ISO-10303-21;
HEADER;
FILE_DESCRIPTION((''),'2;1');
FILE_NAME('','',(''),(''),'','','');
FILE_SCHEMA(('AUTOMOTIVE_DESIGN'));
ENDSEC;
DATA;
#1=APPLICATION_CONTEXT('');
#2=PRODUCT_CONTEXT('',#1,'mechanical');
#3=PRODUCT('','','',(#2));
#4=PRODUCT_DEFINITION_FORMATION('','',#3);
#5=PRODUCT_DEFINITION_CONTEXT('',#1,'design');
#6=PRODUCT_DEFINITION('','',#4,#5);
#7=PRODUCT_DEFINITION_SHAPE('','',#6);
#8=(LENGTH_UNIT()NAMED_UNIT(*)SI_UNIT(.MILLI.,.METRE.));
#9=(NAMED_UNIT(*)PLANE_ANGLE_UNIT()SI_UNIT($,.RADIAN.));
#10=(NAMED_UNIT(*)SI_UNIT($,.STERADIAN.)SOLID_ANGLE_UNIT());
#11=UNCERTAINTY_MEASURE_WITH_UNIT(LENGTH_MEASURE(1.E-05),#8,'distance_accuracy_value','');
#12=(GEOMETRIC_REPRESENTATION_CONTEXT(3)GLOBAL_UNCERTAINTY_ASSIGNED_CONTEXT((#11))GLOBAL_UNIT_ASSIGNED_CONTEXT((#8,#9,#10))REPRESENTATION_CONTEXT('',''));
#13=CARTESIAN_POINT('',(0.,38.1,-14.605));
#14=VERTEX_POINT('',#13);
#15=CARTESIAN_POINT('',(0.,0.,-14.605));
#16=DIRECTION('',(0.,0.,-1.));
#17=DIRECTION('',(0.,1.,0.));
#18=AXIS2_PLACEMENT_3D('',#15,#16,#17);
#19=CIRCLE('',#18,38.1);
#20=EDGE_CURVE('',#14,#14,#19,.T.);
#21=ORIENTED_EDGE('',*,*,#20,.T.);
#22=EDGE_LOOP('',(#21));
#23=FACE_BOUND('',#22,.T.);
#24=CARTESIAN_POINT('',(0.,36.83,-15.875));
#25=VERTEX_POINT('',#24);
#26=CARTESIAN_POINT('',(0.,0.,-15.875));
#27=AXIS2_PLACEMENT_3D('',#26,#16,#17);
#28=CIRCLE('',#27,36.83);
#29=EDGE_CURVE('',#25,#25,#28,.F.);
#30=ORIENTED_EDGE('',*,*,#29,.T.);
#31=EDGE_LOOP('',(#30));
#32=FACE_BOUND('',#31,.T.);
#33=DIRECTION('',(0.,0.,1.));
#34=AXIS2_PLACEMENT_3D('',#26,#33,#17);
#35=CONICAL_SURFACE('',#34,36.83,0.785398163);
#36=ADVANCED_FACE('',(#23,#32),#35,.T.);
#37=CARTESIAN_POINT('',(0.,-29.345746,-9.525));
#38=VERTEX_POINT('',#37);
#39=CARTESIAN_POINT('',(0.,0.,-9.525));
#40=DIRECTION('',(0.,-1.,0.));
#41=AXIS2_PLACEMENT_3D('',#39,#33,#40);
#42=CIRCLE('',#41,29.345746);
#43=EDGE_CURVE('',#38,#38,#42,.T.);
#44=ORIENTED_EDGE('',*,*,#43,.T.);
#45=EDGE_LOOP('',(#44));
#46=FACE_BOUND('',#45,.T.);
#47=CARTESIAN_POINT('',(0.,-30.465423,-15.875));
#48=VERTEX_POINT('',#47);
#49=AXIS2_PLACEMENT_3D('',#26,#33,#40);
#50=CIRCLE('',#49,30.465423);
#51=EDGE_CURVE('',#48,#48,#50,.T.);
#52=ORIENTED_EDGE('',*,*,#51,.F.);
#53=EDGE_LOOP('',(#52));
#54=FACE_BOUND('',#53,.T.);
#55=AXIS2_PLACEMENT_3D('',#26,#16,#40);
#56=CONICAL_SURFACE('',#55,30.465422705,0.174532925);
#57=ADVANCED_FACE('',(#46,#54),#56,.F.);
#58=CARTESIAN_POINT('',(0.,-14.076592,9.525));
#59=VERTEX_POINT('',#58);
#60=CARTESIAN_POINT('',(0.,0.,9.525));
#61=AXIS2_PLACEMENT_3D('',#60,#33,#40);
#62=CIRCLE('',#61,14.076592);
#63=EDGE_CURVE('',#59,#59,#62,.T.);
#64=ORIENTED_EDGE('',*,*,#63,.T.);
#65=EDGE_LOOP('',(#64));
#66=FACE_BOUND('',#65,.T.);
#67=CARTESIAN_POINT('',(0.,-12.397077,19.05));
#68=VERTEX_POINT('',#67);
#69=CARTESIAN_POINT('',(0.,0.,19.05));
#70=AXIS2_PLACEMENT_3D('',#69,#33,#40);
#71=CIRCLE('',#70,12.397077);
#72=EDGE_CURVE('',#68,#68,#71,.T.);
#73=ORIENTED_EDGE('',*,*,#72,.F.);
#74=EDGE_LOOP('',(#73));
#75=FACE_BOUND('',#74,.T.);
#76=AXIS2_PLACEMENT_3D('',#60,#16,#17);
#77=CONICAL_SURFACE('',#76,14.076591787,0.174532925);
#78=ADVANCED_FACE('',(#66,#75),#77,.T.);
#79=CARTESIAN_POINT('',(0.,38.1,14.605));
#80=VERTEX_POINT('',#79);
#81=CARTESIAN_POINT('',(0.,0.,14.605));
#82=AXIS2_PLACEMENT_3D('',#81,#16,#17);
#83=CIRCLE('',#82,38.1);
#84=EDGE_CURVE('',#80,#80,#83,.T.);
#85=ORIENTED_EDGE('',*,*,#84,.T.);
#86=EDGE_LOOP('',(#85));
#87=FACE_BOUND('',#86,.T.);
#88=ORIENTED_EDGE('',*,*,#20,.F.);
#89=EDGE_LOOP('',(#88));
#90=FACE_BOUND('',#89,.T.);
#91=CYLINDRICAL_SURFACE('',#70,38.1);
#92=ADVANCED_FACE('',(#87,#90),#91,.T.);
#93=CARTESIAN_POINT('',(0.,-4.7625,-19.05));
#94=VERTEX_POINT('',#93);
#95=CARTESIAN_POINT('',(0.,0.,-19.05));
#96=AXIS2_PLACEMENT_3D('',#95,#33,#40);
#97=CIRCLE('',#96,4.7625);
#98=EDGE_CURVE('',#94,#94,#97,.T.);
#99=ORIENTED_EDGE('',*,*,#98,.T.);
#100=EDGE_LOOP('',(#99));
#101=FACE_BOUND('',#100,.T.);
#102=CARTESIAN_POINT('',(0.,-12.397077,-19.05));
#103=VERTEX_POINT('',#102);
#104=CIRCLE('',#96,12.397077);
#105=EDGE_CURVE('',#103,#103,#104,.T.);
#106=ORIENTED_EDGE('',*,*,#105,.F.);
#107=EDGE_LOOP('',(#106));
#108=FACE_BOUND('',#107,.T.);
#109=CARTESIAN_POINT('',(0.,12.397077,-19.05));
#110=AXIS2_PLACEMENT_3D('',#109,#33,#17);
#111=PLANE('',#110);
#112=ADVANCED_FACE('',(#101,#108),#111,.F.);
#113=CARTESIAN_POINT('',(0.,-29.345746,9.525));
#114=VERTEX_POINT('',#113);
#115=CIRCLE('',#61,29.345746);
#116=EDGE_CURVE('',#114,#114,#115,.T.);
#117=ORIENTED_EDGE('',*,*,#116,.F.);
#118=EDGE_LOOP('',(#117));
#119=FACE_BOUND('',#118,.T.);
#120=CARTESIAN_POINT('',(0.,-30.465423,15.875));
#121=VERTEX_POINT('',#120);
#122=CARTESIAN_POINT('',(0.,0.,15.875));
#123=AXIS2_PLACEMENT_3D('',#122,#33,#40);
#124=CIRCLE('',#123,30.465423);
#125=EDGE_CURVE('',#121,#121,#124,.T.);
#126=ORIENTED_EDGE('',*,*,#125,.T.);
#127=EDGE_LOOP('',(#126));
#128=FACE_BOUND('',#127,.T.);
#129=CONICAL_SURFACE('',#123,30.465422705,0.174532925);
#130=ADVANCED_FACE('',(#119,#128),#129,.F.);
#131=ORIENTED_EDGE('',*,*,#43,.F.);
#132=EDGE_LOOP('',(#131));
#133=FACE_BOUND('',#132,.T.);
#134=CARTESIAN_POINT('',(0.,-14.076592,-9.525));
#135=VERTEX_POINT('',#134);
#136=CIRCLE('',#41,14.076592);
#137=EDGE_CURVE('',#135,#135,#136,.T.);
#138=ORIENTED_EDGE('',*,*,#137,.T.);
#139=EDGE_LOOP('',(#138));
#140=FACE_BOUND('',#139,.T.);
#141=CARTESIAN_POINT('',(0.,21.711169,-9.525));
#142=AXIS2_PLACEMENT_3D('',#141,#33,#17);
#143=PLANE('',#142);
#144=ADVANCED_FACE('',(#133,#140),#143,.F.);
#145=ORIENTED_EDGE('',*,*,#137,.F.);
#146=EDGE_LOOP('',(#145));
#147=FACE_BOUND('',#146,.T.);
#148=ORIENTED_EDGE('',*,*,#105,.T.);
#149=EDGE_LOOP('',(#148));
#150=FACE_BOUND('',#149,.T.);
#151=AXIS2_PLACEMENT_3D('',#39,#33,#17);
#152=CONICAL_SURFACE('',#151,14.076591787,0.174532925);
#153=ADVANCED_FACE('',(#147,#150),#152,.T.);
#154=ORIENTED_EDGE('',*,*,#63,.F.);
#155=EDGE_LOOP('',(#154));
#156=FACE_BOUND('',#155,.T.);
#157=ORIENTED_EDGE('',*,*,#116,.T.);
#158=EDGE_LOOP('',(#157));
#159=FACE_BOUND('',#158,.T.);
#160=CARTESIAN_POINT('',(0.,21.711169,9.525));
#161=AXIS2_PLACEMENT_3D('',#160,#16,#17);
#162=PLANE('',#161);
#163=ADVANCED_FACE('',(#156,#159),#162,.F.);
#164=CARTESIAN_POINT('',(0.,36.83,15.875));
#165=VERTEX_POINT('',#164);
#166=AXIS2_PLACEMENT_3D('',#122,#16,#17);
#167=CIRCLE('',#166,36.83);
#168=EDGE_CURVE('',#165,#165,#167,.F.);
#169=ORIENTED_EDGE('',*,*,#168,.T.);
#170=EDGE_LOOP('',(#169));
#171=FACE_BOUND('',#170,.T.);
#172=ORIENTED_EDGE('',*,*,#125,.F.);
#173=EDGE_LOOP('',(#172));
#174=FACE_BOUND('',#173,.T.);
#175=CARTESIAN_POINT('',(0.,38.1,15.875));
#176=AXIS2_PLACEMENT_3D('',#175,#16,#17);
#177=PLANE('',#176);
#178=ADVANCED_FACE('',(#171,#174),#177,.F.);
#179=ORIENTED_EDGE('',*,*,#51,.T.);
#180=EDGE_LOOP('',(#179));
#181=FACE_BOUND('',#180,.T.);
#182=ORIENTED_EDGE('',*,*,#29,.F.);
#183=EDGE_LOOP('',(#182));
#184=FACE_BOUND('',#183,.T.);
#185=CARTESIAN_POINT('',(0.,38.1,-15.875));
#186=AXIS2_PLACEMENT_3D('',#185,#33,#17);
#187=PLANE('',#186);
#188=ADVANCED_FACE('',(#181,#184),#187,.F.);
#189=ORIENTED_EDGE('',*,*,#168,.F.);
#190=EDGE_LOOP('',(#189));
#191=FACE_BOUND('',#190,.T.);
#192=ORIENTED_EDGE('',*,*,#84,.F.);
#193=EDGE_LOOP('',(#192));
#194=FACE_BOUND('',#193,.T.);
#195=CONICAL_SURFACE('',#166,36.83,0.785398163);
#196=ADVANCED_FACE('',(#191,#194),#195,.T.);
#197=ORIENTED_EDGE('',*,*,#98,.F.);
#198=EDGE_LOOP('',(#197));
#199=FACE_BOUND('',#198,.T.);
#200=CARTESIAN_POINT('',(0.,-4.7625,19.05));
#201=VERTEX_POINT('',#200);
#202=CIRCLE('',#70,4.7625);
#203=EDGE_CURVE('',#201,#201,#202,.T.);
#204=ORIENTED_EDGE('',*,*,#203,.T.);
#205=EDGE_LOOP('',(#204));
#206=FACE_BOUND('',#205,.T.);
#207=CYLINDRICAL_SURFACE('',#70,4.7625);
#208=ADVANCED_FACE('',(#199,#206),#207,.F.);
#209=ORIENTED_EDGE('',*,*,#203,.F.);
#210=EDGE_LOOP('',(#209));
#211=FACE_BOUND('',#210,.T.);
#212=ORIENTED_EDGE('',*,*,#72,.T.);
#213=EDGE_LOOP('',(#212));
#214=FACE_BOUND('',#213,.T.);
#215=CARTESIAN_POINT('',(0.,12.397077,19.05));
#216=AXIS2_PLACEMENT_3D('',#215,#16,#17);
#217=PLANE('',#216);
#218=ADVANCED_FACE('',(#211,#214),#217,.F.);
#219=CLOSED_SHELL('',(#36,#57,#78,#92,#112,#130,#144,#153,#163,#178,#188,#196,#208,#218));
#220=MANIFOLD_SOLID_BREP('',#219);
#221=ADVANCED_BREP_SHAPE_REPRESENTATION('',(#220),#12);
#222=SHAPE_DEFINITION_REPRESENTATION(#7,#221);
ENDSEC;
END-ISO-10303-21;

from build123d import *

# Parameters (mm, degrees)
CHAMFER1_SIZE = 1.27


with BuildPart() as part:
    # Sketch2 → Revolve1 (revolve)
    with BuildSketch(Plane(origin=(0, 0, 0), x_dir=(0, 0, -1), z_dir=(1, 0, 0)), mode=Mode.PRIVATE) as revolve1_sk:
        Polygon((0, 38.1), (-15.875, 38.1), (-15.875, 30.465422705), (-9.525, 29.345746377), (-9.525, 21.711169082), (-9.525, 14.076591787), (-19.05, 12.397077295), (-19.05, 4.7625), (0, 4.7625), align=None)
    revolve(revolve1_sk.sketch.rotate(Axis((0, 0, 19.05), (0, 0, -1)), 180), axis=Axis((0, 0, 19.05), (0, 0, -1)))

    # Chamfer1
    chamfer1_edges = [part.edges().sort_by_distance(p)[0] for p in [
        (0, 38.1, 15.875),
    ]]
    chamfer(chamfer1_edges, length=CHAMFER1_SIZE)

    # Mirror2: part across plane


with BuildPart() as part_1:
    add(part.part)
    add(part.part.mirror(Plane.XY))


solid = part_1.part
